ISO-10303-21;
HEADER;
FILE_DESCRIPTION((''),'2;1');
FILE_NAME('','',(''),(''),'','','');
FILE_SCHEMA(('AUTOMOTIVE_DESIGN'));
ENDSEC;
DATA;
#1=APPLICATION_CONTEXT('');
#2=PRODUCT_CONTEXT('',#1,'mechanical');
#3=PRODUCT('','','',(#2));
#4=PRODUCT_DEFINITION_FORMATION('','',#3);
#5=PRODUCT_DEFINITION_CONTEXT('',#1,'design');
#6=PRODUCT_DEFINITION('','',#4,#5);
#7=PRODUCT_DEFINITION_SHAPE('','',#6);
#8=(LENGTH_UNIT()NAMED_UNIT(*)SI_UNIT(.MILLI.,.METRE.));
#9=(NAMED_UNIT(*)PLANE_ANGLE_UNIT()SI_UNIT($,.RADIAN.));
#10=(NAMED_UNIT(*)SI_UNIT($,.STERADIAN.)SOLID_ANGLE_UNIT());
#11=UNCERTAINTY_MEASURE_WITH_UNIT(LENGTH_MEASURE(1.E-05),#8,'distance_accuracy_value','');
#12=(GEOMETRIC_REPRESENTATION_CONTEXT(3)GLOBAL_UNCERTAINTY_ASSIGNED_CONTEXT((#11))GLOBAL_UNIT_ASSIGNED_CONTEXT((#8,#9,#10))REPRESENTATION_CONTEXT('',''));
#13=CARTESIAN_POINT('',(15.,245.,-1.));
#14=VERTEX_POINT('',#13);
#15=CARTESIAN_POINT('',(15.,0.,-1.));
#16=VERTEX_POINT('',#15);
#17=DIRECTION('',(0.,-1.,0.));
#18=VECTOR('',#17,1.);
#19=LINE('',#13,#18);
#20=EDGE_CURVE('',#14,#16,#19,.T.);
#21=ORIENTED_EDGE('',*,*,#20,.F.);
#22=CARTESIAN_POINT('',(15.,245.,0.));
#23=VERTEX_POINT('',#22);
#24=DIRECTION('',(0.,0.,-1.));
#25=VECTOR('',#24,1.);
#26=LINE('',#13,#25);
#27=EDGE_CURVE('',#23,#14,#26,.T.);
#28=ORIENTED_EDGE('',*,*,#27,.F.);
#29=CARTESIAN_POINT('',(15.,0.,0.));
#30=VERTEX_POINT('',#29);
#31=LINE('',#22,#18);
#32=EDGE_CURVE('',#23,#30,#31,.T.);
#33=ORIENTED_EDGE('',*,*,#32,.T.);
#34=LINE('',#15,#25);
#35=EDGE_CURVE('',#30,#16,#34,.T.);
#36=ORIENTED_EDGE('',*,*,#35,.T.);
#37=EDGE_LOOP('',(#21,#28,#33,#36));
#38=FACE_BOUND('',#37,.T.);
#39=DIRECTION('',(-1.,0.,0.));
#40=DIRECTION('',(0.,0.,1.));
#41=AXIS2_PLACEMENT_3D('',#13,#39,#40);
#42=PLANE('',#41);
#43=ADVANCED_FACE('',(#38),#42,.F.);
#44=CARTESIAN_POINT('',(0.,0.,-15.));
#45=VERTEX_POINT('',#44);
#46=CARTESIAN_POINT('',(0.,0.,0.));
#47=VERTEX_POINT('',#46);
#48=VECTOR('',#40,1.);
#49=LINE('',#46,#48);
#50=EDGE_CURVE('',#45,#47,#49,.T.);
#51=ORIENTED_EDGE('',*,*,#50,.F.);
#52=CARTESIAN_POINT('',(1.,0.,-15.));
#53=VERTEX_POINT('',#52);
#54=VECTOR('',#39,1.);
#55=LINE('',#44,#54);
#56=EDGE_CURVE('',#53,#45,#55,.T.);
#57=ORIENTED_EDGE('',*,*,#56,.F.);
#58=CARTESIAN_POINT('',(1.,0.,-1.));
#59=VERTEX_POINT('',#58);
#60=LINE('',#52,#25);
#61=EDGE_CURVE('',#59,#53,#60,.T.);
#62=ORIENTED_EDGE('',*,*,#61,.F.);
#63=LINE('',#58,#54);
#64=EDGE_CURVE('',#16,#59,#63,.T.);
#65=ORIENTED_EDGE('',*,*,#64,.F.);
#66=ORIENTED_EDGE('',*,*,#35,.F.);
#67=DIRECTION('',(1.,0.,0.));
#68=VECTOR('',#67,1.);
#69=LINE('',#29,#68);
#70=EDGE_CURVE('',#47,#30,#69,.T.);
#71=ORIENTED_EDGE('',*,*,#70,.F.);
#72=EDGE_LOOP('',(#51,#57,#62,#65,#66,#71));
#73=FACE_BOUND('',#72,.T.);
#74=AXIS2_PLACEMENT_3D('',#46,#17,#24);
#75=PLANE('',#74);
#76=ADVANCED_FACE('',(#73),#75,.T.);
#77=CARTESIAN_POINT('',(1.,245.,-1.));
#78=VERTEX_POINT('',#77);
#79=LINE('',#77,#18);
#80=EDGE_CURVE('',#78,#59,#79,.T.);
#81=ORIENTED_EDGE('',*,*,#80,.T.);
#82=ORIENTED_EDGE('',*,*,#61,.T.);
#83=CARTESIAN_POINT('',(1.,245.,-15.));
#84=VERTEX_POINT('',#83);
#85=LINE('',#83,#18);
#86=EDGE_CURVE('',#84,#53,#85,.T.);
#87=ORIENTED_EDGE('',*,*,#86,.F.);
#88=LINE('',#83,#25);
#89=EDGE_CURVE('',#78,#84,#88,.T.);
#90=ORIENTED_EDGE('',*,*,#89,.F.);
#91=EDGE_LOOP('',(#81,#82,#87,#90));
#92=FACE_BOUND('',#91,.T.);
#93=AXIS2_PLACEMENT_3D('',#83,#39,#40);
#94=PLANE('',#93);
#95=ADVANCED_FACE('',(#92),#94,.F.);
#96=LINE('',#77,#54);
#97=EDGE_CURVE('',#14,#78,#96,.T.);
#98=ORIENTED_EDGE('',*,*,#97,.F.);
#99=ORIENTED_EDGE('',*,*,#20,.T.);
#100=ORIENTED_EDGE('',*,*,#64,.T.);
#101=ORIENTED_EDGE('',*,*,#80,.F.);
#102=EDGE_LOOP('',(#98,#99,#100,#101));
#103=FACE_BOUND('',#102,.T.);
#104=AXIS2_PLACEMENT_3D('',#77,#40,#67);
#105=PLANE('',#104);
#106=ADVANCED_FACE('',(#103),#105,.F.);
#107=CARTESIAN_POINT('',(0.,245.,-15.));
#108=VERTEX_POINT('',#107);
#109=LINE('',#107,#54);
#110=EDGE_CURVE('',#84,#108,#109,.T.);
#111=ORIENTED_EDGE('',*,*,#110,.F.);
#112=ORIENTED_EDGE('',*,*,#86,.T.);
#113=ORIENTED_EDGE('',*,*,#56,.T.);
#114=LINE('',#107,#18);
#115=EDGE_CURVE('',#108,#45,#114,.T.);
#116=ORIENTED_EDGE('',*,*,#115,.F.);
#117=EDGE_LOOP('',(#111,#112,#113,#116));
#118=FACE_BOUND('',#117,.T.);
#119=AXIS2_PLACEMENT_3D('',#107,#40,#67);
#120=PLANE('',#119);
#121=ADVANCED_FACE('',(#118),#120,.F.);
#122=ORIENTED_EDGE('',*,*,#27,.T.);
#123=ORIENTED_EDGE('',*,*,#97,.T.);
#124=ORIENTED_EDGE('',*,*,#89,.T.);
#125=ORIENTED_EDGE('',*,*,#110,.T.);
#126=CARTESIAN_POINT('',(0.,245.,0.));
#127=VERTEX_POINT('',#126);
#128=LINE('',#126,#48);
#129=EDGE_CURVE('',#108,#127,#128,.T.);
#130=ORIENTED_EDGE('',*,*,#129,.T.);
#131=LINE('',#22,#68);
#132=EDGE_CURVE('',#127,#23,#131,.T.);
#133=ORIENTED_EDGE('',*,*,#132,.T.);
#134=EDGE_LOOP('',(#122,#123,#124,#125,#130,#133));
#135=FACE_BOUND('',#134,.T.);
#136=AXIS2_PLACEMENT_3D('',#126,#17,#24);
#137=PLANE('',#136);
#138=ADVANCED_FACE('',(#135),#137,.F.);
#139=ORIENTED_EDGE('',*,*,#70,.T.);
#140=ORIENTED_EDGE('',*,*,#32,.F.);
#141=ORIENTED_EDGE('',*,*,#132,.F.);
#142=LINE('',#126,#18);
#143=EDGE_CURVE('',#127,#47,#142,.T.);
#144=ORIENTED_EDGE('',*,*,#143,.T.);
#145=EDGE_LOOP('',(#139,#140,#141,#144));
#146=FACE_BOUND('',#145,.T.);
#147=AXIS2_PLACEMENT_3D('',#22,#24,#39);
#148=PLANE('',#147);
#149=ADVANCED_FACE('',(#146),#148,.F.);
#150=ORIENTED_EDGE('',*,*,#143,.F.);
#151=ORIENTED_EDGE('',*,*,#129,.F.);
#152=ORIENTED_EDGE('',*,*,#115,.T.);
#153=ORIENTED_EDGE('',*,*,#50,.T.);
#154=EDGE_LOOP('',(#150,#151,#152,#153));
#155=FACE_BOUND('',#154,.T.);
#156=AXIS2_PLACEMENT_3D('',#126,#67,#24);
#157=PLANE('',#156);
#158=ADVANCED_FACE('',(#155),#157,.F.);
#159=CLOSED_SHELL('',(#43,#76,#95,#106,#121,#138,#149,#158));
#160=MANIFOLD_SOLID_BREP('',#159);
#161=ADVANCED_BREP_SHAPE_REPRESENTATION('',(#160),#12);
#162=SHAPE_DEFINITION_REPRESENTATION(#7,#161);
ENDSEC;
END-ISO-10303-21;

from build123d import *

# Parameters (mm, degrees)
EXTRUDE_1_DEPTH = 245


with BuildPart() as part:
    # Эскиз1 → Бобышка-Вытянуть1 (new body)
    with BuildSketch(Plane(origin=(0, 0, 0), x_dir=(1, 0, 0), z_dir=(0, 1, 0))):
        Polygon((0, 0), (0, 15), (1, 15), (1, 1), (15, 1), (15, 0), align=None)
    extrude(amount=EXTRUDE_1_DEPTH)


solid = part.part
